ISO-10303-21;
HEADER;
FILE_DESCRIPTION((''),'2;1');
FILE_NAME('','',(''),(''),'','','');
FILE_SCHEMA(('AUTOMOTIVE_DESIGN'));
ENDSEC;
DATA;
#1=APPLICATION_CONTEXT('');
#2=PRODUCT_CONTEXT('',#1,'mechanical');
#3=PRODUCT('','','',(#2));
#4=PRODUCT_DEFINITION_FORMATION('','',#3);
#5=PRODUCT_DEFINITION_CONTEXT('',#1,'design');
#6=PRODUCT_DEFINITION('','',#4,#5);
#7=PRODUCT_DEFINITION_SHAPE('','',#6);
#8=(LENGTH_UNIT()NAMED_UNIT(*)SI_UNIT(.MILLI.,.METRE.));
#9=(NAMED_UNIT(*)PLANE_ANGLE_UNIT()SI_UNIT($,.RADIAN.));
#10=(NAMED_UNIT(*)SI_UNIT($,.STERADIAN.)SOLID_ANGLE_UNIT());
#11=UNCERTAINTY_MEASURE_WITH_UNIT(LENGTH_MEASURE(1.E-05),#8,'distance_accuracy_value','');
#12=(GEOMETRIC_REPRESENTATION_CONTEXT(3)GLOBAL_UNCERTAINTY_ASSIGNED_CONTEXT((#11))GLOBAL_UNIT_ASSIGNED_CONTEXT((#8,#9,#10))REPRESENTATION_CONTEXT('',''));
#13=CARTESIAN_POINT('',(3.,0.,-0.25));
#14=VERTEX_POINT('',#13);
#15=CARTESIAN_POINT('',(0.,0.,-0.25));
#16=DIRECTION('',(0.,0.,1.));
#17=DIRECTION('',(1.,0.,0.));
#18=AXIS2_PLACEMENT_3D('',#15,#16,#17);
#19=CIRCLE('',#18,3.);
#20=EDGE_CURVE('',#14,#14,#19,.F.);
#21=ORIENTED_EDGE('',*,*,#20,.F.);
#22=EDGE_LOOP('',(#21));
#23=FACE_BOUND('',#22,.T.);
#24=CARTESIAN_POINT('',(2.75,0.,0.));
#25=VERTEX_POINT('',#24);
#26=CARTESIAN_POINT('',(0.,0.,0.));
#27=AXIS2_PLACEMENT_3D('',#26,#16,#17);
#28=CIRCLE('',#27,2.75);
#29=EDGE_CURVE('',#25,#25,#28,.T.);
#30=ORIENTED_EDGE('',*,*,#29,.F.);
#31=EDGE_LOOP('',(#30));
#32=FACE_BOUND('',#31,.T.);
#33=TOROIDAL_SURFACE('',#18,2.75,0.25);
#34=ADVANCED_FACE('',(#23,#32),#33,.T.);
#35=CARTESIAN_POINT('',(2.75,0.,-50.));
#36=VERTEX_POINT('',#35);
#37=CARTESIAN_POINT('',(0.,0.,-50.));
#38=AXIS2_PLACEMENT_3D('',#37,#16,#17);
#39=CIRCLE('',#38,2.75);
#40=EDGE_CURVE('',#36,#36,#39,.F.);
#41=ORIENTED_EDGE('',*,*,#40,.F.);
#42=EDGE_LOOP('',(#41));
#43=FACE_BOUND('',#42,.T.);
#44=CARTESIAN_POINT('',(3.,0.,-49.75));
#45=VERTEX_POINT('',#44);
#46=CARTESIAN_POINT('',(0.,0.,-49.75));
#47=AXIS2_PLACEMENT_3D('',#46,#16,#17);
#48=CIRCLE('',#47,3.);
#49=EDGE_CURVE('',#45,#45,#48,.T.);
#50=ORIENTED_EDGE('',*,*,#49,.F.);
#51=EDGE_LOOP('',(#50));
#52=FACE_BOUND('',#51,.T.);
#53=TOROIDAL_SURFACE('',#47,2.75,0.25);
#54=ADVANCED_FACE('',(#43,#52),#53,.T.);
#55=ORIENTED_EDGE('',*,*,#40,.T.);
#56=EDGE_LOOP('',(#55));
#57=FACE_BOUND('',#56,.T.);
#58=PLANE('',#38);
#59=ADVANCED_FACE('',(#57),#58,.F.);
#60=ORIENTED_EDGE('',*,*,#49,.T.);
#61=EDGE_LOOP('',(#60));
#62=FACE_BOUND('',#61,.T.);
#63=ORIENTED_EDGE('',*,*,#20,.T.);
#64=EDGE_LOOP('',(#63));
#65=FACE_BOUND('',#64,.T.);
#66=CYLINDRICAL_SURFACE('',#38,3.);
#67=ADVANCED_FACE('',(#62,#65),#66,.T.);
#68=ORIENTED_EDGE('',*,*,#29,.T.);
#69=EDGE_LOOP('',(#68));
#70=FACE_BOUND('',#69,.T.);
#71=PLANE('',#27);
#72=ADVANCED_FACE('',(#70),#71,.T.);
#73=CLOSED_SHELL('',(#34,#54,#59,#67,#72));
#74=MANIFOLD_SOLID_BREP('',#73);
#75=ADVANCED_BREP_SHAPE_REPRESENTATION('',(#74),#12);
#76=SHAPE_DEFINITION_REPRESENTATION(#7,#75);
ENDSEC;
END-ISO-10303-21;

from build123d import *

# Parameters (mm, degrees)
SKETCH1_R           = 3
BOSS_EXTRUDE1_DEPTH = 50
FILLET1_R           = 0.25


with BuildPart() as part:
    # Sketch1 → Boss-Extrude1 (new body)
    with BuildSketch(Plane.XY):
        Circle(SKETCH1_R)
    extrude(amount=-BOSS_EXTRUDE1_DEPTH)

    # Fillet1
    fillet1_edges = [part.edges().sort_by_distance(p)[0] for p in [
        (-3, 0, 0),
        (-3, 0, -50),
    ]]
    fillet(fillet1_edges, radius=FILLET1_R)


solid = part.part
